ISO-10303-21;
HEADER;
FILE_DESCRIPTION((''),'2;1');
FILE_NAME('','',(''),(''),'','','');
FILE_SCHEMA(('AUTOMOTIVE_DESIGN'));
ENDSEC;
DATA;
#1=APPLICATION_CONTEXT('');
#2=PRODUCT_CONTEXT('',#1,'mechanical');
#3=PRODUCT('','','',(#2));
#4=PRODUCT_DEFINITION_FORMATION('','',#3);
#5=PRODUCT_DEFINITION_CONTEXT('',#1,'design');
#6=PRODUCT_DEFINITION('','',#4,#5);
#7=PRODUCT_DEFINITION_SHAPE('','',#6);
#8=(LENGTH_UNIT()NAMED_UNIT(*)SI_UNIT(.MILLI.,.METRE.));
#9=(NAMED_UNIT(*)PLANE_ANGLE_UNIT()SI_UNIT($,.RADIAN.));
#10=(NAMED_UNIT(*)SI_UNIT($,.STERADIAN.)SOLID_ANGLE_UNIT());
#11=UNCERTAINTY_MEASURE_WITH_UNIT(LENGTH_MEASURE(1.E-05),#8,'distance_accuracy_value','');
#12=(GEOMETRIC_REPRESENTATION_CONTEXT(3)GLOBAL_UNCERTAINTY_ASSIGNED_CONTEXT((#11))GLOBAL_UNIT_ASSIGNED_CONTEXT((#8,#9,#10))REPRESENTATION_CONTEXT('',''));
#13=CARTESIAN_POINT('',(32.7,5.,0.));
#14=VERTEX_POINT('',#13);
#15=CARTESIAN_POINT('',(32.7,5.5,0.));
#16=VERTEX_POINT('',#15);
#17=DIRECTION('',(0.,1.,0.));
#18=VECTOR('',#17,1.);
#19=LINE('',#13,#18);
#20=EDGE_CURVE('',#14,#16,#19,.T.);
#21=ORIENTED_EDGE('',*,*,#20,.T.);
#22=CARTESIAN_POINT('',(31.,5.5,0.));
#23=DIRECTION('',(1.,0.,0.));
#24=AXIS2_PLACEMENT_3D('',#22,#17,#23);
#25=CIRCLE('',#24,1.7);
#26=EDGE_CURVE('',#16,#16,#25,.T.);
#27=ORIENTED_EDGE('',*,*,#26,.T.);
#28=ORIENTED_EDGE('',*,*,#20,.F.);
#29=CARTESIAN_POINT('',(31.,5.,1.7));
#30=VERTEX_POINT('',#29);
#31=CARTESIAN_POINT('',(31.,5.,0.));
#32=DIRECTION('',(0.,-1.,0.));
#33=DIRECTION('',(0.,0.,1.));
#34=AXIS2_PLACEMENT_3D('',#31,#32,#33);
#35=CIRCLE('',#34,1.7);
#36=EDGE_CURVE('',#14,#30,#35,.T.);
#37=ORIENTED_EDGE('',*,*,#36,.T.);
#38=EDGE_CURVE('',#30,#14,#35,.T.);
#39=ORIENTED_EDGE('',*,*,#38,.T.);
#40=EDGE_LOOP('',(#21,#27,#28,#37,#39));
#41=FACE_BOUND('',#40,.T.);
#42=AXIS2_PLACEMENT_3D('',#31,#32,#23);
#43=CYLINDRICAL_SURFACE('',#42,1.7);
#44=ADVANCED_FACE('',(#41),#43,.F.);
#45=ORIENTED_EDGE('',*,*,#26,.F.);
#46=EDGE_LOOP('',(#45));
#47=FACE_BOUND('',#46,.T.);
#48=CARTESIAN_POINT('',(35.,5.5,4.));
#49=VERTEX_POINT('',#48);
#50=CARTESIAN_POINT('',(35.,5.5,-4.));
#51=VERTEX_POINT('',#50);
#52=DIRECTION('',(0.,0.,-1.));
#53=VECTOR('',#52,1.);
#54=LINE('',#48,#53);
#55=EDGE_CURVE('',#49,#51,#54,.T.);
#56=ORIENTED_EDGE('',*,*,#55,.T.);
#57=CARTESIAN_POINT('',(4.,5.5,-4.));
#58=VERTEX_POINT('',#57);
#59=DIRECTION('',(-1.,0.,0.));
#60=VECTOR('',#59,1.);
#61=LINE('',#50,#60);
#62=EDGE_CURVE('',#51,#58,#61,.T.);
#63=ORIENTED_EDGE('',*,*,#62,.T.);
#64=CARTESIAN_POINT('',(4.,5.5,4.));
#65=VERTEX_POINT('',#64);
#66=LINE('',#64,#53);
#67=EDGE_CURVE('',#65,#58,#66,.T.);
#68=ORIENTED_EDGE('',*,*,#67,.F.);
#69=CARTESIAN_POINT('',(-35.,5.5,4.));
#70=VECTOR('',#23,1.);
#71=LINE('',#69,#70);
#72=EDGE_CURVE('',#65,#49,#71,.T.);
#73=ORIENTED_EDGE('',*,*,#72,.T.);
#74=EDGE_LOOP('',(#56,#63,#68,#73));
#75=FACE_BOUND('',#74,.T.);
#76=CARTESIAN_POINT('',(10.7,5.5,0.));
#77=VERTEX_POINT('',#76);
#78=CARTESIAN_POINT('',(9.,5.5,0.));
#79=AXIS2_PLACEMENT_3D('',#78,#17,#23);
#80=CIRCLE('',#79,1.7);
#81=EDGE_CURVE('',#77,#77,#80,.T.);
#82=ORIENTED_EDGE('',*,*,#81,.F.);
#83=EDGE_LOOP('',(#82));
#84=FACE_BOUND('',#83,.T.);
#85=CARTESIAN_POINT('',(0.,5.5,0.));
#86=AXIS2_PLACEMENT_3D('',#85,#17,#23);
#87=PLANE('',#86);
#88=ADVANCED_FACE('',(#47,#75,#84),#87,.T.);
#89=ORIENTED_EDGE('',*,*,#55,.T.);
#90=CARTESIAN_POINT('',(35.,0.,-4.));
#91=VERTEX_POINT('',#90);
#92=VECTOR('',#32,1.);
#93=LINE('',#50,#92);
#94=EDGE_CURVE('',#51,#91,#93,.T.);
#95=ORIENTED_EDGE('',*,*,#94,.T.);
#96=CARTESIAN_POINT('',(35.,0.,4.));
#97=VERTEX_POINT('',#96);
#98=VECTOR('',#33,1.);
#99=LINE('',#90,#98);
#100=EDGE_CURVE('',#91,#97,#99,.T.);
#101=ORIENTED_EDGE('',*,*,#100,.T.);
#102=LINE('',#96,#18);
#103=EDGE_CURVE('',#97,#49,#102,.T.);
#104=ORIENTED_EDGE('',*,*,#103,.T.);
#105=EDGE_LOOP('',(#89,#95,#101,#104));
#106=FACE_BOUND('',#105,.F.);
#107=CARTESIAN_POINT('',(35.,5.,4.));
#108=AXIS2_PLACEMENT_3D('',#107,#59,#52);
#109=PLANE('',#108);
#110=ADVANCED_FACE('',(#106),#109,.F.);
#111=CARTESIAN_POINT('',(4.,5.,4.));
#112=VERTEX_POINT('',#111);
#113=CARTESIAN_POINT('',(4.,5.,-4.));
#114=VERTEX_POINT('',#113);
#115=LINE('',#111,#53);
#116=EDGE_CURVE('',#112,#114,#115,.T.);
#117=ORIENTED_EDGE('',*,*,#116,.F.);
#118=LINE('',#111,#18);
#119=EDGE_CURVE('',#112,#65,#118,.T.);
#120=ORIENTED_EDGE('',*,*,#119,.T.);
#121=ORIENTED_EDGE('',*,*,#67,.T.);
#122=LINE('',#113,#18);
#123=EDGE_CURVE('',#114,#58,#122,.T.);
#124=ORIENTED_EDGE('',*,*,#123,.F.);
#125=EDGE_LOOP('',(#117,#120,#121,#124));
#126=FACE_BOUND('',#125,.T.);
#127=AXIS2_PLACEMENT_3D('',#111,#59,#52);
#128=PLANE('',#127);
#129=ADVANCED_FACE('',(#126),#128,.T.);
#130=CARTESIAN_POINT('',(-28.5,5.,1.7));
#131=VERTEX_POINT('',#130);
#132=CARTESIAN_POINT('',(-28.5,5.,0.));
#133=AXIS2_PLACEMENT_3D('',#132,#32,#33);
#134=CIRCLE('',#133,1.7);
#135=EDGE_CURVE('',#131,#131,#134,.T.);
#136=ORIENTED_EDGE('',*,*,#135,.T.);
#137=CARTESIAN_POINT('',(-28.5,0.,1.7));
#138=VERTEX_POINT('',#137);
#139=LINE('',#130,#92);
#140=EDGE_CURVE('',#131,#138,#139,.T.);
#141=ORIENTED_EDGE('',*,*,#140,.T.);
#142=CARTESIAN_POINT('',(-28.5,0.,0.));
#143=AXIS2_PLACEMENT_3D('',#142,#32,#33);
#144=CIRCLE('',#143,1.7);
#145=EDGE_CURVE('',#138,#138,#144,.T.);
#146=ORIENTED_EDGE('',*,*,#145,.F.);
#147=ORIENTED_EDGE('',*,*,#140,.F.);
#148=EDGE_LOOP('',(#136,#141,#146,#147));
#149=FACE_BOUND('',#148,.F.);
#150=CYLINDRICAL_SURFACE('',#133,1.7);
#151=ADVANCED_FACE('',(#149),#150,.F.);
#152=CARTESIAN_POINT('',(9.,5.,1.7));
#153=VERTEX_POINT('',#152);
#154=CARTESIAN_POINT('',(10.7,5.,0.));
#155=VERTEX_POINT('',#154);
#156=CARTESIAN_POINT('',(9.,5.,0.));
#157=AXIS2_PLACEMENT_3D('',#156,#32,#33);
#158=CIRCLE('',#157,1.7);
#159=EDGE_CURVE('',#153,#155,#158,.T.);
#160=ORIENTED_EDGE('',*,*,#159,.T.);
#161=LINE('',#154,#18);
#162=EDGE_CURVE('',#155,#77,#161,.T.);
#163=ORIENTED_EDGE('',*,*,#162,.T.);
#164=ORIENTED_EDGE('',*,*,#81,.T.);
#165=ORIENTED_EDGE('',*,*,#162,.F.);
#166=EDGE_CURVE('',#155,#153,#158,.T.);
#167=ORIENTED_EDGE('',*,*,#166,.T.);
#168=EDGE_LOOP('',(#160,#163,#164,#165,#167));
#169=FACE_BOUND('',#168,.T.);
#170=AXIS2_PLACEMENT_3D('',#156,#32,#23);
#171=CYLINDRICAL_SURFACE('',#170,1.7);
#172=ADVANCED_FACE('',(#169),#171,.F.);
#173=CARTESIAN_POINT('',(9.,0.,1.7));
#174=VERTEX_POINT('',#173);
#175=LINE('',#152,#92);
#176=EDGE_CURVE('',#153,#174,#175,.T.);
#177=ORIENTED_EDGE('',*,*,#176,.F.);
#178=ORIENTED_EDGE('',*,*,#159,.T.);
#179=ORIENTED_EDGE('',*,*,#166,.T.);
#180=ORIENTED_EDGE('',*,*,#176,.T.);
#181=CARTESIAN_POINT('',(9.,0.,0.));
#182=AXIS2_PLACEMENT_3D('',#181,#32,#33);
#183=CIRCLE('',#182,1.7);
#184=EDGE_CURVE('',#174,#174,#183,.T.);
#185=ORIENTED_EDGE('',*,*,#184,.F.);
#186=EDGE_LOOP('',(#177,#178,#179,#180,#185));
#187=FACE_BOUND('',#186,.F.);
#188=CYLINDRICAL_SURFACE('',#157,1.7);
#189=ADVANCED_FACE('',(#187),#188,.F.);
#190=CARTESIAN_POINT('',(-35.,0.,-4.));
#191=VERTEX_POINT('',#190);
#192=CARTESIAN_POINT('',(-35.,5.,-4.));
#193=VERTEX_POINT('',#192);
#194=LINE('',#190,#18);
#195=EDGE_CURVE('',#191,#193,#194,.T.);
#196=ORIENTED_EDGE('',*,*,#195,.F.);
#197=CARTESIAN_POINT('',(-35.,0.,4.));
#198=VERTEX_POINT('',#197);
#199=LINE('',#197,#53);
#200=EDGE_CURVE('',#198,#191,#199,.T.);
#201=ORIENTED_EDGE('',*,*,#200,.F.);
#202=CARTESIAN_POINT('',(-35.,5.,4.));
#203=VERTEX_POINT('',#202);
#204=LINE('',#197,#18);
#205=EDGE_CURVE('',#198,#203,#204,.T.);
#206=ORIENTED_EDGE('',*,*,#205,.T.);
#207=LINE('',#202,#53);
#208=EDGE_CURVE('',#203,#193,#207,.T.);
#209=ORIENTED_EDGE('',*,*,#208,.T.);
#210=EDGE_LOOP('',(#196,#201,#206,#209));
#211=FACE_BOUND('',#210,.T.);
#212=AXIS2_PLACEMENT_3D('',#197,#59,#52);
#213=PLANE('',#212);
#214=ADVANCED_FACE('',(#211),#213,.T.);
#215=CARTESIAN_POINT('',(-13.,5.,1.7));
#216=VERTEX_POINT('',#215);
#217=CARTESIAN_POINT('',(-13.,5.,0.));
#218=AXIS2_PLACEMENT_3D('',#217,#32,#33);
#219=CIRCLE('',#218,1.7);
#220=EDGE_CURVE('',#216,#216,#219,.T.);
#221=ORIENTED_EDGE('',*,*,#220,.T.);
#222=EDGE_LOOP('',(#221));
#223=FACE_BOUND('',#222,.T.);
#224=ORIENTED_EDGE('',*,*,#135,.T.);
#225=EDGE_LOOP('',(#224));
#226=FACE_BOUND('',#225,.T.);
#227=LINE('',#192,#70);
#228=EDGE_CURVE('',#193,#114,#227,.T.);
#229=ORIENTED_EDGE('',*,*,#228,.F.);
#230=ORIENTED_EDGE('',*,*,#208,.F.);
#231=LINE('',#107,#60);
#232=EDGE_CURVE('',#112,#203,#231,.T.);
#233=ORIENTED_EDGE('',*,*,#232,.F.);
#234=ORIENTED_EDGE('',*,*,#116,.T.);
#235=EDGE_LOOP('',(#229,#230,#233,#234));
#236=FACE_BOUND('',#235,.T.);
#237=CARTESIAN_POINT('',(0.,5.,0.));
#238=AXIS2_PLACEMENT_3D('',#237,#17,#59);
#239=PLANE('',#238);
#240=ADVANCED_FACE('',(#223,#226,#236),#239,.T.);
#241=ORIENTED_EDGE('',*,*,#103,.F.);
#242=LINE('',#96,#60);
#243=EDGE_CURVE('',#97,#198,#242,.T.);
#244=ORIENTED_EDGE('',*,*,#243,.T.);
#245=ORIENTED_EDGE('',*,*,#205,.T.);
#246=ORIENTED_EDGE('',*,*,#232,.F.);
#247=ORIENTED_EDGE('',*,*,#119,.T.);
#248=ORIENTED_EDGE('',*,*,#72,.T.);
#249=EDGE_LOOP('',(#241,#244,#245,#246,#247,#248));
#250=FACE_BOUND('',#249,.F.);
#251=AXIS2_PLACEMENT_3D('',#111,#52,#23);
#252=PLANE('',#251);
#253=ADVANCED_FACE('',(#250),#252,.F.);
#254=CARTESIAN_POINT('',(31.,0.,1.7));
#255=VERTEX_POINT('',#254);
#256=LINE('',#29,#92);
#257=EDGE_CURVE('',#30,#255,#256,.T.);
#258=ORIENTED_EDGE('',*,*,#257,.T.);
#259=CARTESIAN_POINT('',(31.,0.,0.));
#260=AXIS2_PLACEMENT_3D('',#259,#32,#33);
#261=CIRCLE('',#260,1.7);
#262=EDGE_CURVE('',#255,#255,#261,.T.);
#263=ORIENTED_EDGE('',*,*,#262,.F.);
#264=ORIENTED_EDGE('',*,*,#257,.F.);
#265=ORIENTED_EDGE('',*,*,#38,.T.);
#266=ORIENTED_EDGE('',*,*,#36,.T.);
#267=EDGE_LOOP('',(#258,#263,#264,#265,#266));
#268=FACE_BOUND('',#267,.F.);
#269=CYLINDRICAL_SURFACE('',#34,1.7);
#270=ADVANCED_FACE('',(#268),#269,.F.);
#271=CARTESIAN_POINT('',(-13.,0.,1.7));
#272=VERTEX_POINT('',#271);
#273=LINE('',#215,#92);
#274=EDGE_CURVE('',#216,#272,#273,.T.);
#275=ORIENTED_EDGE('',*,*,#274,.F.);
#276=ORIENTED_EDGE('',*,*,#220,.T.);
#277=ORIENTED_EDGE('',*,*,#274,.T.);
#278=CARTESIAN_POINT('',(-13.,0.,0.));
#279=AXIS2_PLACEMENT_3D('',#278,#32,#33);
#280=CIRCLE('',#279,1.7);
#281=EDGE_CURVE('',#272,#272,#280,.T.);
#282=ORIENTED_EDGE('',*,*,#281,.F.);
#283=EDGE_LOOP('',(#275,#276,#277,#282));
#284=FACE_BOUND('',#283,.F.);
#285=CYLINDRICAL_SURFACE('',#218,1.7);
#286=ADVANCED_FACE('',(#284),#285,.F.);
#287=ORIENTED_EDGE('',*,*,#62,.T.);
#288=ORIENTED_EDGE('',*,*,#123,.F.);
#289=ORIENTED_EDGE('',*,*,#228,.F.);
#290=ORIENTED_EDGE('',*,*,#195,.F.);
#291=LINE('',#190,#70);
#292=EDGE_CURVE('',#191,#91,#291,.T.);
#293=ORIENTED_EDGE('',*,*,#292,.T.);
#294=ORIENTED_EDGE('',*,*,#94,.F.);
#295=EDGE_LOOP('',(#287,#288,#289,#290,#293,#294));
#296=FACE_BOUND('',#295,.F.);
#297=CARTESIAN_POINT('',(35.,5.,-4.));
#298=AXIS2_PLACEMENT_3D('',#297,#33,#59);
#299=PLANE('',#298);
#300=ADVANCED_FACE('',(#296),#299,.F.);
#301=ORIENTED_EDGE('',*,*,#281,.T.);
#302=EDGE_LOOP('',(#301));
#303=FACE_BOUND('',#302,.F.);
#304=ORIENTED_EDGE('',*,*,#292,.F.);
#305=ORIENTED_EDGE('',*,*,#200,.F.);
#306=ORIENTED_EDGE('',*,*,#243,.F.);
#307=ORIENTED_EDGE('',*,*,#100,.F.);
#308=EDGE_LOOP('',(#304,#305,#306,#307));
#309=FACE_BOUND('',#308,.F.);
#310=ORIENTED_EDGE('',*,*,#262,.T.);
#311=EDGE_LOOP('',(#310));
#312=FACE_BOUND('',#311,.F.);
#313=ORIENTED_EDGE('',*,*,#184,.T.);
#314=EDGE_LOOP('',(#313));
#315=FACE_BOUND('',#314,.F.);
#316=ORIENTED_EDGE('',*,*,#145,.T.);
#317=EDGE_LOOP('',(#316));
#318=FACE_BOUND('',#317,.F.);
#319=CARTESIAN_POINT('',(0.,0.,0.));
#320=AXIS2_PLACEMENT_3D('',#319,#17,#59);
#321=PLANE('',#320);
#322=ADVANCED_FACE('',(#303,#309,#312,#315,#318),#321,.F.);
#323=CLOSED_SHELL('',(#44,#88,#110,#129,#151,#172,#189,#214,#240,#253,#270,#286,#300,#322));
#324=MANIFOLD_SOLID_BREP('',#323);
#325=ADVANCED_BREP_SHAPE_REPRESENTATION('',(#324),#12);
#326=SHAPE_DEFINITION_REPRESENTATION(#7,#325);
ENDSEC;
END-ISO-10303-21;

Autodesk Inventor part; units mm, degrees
ref_plane "YZ Plane" through (0, 0, 0) normal (1, 0, 0) x (0, 1, 0)
ref_plane "XZ Plane" through (0, 0, 0) normal (0, 1, 0) x (-1, 0, 0)
ref_plane "XY Plane" through (0, 0, 0) normal (0, 0, 1) x (1, 0, 0)
sketch "Skizze1" plane through (0, 0, 0) normal (0, 1, 0) x (-1, 0, 0)
  line L0 (-35, 4) -> (35, 4)
  line L1 (35, 4) -> (35, -4)
  line L2 (35, -4) -> (-35, -4)
  line L3 (-35, -4) -> (-35, 4)
  line L4 (-35, 4) -> (35, -4) construction
  line L5 (35, 4) -> (-35, -4) construction
  point P0 (0, 0)
  dimension "d0" = 70
  dimension "d1" = 8
extrude "Extrusion1" add sketch "Skizze1" along normal blind 5
sketch "Skizze2" plane through (0, 5, 0) normal (0, 1, 0) x (1, 0, 0)
  line L0 (-35, -4) -> (35, -4) projected
  line L1 (35, -4) -> (35, 4) projected
  line L2 (35, 4) -> (-35, 4) projected
  line L3 (-35, 4) -> (-35, -4) projected
  line L4 (0, 0) -> (47.4069, 0) construction
  point P0 (31, 0)
  point P1 (9, 0)
  dimension "d4" = 8
  dimension "d5" = 4
  dimension "d7" = 22
hole "Bohrung1" at (31, 5, 0) at (9, 5, 0) direction (0, -1, 0) diameter 3.4 end through all clearance for "Inbusschraube ISO 4762" size "M3" standard "ISO"
sketch "Skizze3" plane through (0, 5, 0) normal (0, 1, 0) x (1, 0, 0)
  line L0 (19.9613, 0) -> (-27.7601, 0) construction
  circle A0 centre (9, 0) radius 1.7 projected
  point P0 (0, 0)
  point P1 (-13, 0)
  point P2 (-28.5, 0)
  dimension "d15" = 22
  dimension "d16" = 15.5
hole "Bohrung2" at (-13, 5, 0) at (-28.5, 5, 0) direction (0, -1, 0) diameter 3.4 end through all clearance for "Inbusschraube ISO 4762" size "M3" standard "ISO"
sketch "Skizze4" plane through (0, 5, 0) normal (0, 1, 0) x (1, 0, 0)
  circle A0 centre (-13, 0) radius 1.7 projected
  circle A1 centre (-28.5, 0) radius 1.7 projected
  circle A2 centre (31, 0) radius 1.7 projected
  circle A3 centre (9, 0) radius 1.7 projected
  line L0 (-35, -4) -> (35, -4) projected
  line L1 (35, -4) -> (35, 4) projected
  line L2 (35, 4) -> (-35, 4) projected
  line L3 (-35, 4) -> (-35, -4) projected
  line L4 (-35, 4) -> (35, 4) projected
  line L5 (35, -4) -> (4, -4)
  line L6 (4, -4) -> (4, 4)
  line L7 (4, 4) -> (35, 4)
  line L8 (35, 4) -> (35, -4)
  point P0 (0, 0)
  dimension "d27" = 5
extrude "Extrusion2" add sketch "Skizze4" along normal blind 0.5 contours L6 L2 L1 L0
equation "\"d5\" = 0.5 * d4"
properties part number "connection_hand_camera"
